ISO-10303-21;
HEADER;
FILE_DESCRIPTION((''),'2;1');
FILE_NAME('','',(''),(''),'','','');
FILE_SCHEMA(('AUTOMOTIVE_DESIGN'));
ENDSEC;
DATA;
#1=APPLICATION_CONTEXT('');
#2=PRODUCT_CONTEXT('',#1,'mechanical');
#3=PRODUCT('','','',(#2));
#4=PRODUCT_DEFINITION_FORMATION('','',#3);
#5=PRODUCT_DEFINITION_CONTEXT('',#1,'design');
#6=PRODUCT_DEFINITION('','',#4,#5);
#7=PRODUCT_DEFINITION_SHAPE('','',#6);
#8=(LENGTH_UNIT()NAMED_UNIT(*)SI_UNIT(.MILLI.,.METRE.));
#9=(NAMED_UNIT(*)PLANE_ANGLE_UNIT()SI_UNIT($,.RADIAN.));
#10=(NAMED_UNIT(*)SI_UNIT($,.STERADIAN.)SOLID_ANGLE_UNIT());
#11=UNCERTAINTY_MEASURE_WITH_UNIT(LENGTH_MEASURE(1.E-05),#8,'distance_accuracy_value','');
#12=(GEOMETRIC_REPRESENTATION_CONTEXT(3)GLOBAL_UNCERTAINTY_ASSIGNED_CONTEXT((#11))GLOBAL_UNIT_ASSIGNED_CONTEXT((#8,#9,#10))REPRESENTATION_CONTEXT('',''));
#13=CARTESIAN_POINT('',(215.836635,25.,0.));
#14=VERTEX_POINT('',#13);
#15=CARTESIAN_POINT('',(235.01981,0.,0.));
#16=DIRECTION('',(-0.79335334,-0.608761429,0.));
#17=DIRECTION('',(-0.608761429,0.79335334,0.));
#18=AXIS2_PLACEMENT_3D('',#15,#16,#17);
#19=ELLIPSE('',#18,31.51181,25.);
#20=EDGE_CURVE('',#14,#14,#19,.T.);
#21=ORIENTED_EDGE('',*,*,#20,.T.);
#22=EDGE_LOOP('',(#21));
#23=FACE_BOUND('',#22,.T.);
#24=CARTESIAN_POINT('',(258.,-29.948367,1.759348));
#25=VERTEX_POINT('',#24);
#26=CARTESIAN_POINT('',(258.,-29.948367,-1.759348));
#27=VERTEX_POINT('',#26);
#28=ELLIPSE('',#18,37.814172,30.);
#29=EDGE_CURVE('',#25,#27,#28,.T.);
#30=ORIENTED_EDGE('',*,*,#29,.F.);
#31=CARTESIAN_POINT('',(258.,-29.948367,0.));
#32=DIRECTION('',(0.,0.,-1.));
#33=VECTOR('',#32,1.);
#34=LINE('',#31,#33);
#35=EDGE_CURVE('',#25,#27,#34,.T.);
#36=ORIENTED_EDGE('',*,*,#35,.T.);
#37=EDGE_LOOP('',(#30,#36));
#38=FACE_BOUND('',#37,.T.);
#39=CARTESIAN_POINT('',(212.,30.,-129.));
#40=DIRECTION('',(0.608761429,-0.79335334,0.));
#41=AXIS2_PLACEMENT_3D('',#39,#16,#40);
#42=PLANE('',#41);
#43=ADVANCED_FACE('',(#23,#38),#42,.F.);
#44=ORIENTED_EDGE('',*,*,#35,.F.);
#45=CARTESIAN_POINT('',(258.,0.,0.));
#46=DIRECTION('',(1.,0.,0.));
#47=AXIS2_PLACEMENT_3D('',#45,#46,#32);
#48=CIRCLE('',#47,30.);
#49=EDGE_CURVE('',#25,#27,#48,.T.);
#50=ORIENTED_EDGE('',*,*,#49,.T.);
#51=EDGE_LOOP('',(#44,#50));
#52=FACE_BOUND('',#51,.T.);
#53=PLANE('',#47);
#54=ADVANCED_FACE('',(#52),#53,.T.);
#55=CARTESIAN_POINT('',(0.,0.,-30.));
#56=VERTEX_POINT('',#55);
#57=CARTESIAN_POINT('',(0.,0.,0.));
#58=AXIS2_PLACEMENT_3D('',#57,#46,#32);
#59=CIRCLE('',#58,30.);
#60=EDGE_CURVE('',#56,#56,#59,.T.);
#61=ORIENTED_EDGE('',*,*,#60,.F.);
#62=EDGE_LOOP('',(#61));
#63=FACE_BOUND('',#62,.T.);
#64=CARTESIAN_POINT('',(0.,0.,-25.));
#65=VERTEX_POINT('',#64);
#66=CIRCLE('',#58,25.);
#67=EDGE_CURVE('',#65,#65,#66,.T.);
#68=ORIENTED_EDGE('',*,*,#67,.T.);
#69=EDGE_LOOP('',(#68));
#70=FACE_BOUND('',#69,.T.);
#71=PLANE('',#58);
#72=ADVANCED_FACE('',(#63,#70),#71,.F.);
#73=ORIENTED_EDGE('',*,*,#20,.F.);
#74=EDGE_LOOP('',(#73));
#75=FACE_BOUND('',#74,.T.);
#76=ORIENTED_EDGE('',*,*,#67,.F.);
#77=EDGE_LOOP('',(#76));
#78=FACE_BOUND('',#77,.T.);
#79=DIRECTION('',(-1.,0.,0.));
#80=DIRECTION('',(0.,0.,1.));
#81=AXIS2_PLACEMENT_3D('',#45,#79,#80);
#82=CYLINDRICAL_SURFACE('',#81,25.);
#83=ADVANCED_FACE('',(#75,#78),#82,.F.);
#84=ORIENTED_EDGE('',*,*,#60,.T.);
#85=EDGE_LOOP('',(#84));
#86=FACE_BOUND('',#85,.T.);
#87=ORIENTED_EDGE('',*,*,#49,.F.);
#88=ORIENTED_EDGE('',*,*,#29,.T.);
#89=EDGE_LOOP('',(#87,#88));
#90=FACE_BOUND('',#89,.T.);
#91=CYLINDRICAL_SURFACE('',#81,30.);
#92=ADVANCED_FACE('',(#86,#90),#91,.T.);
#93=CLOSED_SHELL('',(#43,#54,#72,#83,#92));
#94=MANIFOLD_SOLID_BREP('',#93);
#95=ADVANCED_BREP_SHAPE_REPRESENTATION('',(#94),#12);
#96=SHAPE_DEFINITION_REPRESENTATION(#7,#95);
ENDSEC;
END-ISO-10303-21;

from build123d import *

# Parameters (mm, degrees)
SKETCH1_R           = 30
SKETCH1_R_2         = 25
BOSS_EXTRUDE1_DEPTH = 258
CUT_EXTRUDE1_DEPTH  = 129


with BuildPart() as part:
    # Sketch1 → Boss-Extrude1 (new body)
    with BuildSketch(Plane(origin=(0, 0, 0), x_dir=(0, 0, -1), z_dir=(1, 0, 0))):
        Circle(SKETCH1_R)
        Circle(SKETCH1_R_2, mode=Mode.SUBTRACT)
    extrude(amount=BOSS_EXTRUDE1_DEPTH)

    # Sketch2 → Cut-Extrude1 (cut, symmetric)
    with BuildSketch(Plane.XY):
        Polygon((212, 30), (266.843611736, -41.473586353), (269.863887228, 30), align=None)
    extrude(amount=CUT_EXTRUDE1_DEPTH, both=True, mode=Mode.SUBTRACT)


solid = part.part
